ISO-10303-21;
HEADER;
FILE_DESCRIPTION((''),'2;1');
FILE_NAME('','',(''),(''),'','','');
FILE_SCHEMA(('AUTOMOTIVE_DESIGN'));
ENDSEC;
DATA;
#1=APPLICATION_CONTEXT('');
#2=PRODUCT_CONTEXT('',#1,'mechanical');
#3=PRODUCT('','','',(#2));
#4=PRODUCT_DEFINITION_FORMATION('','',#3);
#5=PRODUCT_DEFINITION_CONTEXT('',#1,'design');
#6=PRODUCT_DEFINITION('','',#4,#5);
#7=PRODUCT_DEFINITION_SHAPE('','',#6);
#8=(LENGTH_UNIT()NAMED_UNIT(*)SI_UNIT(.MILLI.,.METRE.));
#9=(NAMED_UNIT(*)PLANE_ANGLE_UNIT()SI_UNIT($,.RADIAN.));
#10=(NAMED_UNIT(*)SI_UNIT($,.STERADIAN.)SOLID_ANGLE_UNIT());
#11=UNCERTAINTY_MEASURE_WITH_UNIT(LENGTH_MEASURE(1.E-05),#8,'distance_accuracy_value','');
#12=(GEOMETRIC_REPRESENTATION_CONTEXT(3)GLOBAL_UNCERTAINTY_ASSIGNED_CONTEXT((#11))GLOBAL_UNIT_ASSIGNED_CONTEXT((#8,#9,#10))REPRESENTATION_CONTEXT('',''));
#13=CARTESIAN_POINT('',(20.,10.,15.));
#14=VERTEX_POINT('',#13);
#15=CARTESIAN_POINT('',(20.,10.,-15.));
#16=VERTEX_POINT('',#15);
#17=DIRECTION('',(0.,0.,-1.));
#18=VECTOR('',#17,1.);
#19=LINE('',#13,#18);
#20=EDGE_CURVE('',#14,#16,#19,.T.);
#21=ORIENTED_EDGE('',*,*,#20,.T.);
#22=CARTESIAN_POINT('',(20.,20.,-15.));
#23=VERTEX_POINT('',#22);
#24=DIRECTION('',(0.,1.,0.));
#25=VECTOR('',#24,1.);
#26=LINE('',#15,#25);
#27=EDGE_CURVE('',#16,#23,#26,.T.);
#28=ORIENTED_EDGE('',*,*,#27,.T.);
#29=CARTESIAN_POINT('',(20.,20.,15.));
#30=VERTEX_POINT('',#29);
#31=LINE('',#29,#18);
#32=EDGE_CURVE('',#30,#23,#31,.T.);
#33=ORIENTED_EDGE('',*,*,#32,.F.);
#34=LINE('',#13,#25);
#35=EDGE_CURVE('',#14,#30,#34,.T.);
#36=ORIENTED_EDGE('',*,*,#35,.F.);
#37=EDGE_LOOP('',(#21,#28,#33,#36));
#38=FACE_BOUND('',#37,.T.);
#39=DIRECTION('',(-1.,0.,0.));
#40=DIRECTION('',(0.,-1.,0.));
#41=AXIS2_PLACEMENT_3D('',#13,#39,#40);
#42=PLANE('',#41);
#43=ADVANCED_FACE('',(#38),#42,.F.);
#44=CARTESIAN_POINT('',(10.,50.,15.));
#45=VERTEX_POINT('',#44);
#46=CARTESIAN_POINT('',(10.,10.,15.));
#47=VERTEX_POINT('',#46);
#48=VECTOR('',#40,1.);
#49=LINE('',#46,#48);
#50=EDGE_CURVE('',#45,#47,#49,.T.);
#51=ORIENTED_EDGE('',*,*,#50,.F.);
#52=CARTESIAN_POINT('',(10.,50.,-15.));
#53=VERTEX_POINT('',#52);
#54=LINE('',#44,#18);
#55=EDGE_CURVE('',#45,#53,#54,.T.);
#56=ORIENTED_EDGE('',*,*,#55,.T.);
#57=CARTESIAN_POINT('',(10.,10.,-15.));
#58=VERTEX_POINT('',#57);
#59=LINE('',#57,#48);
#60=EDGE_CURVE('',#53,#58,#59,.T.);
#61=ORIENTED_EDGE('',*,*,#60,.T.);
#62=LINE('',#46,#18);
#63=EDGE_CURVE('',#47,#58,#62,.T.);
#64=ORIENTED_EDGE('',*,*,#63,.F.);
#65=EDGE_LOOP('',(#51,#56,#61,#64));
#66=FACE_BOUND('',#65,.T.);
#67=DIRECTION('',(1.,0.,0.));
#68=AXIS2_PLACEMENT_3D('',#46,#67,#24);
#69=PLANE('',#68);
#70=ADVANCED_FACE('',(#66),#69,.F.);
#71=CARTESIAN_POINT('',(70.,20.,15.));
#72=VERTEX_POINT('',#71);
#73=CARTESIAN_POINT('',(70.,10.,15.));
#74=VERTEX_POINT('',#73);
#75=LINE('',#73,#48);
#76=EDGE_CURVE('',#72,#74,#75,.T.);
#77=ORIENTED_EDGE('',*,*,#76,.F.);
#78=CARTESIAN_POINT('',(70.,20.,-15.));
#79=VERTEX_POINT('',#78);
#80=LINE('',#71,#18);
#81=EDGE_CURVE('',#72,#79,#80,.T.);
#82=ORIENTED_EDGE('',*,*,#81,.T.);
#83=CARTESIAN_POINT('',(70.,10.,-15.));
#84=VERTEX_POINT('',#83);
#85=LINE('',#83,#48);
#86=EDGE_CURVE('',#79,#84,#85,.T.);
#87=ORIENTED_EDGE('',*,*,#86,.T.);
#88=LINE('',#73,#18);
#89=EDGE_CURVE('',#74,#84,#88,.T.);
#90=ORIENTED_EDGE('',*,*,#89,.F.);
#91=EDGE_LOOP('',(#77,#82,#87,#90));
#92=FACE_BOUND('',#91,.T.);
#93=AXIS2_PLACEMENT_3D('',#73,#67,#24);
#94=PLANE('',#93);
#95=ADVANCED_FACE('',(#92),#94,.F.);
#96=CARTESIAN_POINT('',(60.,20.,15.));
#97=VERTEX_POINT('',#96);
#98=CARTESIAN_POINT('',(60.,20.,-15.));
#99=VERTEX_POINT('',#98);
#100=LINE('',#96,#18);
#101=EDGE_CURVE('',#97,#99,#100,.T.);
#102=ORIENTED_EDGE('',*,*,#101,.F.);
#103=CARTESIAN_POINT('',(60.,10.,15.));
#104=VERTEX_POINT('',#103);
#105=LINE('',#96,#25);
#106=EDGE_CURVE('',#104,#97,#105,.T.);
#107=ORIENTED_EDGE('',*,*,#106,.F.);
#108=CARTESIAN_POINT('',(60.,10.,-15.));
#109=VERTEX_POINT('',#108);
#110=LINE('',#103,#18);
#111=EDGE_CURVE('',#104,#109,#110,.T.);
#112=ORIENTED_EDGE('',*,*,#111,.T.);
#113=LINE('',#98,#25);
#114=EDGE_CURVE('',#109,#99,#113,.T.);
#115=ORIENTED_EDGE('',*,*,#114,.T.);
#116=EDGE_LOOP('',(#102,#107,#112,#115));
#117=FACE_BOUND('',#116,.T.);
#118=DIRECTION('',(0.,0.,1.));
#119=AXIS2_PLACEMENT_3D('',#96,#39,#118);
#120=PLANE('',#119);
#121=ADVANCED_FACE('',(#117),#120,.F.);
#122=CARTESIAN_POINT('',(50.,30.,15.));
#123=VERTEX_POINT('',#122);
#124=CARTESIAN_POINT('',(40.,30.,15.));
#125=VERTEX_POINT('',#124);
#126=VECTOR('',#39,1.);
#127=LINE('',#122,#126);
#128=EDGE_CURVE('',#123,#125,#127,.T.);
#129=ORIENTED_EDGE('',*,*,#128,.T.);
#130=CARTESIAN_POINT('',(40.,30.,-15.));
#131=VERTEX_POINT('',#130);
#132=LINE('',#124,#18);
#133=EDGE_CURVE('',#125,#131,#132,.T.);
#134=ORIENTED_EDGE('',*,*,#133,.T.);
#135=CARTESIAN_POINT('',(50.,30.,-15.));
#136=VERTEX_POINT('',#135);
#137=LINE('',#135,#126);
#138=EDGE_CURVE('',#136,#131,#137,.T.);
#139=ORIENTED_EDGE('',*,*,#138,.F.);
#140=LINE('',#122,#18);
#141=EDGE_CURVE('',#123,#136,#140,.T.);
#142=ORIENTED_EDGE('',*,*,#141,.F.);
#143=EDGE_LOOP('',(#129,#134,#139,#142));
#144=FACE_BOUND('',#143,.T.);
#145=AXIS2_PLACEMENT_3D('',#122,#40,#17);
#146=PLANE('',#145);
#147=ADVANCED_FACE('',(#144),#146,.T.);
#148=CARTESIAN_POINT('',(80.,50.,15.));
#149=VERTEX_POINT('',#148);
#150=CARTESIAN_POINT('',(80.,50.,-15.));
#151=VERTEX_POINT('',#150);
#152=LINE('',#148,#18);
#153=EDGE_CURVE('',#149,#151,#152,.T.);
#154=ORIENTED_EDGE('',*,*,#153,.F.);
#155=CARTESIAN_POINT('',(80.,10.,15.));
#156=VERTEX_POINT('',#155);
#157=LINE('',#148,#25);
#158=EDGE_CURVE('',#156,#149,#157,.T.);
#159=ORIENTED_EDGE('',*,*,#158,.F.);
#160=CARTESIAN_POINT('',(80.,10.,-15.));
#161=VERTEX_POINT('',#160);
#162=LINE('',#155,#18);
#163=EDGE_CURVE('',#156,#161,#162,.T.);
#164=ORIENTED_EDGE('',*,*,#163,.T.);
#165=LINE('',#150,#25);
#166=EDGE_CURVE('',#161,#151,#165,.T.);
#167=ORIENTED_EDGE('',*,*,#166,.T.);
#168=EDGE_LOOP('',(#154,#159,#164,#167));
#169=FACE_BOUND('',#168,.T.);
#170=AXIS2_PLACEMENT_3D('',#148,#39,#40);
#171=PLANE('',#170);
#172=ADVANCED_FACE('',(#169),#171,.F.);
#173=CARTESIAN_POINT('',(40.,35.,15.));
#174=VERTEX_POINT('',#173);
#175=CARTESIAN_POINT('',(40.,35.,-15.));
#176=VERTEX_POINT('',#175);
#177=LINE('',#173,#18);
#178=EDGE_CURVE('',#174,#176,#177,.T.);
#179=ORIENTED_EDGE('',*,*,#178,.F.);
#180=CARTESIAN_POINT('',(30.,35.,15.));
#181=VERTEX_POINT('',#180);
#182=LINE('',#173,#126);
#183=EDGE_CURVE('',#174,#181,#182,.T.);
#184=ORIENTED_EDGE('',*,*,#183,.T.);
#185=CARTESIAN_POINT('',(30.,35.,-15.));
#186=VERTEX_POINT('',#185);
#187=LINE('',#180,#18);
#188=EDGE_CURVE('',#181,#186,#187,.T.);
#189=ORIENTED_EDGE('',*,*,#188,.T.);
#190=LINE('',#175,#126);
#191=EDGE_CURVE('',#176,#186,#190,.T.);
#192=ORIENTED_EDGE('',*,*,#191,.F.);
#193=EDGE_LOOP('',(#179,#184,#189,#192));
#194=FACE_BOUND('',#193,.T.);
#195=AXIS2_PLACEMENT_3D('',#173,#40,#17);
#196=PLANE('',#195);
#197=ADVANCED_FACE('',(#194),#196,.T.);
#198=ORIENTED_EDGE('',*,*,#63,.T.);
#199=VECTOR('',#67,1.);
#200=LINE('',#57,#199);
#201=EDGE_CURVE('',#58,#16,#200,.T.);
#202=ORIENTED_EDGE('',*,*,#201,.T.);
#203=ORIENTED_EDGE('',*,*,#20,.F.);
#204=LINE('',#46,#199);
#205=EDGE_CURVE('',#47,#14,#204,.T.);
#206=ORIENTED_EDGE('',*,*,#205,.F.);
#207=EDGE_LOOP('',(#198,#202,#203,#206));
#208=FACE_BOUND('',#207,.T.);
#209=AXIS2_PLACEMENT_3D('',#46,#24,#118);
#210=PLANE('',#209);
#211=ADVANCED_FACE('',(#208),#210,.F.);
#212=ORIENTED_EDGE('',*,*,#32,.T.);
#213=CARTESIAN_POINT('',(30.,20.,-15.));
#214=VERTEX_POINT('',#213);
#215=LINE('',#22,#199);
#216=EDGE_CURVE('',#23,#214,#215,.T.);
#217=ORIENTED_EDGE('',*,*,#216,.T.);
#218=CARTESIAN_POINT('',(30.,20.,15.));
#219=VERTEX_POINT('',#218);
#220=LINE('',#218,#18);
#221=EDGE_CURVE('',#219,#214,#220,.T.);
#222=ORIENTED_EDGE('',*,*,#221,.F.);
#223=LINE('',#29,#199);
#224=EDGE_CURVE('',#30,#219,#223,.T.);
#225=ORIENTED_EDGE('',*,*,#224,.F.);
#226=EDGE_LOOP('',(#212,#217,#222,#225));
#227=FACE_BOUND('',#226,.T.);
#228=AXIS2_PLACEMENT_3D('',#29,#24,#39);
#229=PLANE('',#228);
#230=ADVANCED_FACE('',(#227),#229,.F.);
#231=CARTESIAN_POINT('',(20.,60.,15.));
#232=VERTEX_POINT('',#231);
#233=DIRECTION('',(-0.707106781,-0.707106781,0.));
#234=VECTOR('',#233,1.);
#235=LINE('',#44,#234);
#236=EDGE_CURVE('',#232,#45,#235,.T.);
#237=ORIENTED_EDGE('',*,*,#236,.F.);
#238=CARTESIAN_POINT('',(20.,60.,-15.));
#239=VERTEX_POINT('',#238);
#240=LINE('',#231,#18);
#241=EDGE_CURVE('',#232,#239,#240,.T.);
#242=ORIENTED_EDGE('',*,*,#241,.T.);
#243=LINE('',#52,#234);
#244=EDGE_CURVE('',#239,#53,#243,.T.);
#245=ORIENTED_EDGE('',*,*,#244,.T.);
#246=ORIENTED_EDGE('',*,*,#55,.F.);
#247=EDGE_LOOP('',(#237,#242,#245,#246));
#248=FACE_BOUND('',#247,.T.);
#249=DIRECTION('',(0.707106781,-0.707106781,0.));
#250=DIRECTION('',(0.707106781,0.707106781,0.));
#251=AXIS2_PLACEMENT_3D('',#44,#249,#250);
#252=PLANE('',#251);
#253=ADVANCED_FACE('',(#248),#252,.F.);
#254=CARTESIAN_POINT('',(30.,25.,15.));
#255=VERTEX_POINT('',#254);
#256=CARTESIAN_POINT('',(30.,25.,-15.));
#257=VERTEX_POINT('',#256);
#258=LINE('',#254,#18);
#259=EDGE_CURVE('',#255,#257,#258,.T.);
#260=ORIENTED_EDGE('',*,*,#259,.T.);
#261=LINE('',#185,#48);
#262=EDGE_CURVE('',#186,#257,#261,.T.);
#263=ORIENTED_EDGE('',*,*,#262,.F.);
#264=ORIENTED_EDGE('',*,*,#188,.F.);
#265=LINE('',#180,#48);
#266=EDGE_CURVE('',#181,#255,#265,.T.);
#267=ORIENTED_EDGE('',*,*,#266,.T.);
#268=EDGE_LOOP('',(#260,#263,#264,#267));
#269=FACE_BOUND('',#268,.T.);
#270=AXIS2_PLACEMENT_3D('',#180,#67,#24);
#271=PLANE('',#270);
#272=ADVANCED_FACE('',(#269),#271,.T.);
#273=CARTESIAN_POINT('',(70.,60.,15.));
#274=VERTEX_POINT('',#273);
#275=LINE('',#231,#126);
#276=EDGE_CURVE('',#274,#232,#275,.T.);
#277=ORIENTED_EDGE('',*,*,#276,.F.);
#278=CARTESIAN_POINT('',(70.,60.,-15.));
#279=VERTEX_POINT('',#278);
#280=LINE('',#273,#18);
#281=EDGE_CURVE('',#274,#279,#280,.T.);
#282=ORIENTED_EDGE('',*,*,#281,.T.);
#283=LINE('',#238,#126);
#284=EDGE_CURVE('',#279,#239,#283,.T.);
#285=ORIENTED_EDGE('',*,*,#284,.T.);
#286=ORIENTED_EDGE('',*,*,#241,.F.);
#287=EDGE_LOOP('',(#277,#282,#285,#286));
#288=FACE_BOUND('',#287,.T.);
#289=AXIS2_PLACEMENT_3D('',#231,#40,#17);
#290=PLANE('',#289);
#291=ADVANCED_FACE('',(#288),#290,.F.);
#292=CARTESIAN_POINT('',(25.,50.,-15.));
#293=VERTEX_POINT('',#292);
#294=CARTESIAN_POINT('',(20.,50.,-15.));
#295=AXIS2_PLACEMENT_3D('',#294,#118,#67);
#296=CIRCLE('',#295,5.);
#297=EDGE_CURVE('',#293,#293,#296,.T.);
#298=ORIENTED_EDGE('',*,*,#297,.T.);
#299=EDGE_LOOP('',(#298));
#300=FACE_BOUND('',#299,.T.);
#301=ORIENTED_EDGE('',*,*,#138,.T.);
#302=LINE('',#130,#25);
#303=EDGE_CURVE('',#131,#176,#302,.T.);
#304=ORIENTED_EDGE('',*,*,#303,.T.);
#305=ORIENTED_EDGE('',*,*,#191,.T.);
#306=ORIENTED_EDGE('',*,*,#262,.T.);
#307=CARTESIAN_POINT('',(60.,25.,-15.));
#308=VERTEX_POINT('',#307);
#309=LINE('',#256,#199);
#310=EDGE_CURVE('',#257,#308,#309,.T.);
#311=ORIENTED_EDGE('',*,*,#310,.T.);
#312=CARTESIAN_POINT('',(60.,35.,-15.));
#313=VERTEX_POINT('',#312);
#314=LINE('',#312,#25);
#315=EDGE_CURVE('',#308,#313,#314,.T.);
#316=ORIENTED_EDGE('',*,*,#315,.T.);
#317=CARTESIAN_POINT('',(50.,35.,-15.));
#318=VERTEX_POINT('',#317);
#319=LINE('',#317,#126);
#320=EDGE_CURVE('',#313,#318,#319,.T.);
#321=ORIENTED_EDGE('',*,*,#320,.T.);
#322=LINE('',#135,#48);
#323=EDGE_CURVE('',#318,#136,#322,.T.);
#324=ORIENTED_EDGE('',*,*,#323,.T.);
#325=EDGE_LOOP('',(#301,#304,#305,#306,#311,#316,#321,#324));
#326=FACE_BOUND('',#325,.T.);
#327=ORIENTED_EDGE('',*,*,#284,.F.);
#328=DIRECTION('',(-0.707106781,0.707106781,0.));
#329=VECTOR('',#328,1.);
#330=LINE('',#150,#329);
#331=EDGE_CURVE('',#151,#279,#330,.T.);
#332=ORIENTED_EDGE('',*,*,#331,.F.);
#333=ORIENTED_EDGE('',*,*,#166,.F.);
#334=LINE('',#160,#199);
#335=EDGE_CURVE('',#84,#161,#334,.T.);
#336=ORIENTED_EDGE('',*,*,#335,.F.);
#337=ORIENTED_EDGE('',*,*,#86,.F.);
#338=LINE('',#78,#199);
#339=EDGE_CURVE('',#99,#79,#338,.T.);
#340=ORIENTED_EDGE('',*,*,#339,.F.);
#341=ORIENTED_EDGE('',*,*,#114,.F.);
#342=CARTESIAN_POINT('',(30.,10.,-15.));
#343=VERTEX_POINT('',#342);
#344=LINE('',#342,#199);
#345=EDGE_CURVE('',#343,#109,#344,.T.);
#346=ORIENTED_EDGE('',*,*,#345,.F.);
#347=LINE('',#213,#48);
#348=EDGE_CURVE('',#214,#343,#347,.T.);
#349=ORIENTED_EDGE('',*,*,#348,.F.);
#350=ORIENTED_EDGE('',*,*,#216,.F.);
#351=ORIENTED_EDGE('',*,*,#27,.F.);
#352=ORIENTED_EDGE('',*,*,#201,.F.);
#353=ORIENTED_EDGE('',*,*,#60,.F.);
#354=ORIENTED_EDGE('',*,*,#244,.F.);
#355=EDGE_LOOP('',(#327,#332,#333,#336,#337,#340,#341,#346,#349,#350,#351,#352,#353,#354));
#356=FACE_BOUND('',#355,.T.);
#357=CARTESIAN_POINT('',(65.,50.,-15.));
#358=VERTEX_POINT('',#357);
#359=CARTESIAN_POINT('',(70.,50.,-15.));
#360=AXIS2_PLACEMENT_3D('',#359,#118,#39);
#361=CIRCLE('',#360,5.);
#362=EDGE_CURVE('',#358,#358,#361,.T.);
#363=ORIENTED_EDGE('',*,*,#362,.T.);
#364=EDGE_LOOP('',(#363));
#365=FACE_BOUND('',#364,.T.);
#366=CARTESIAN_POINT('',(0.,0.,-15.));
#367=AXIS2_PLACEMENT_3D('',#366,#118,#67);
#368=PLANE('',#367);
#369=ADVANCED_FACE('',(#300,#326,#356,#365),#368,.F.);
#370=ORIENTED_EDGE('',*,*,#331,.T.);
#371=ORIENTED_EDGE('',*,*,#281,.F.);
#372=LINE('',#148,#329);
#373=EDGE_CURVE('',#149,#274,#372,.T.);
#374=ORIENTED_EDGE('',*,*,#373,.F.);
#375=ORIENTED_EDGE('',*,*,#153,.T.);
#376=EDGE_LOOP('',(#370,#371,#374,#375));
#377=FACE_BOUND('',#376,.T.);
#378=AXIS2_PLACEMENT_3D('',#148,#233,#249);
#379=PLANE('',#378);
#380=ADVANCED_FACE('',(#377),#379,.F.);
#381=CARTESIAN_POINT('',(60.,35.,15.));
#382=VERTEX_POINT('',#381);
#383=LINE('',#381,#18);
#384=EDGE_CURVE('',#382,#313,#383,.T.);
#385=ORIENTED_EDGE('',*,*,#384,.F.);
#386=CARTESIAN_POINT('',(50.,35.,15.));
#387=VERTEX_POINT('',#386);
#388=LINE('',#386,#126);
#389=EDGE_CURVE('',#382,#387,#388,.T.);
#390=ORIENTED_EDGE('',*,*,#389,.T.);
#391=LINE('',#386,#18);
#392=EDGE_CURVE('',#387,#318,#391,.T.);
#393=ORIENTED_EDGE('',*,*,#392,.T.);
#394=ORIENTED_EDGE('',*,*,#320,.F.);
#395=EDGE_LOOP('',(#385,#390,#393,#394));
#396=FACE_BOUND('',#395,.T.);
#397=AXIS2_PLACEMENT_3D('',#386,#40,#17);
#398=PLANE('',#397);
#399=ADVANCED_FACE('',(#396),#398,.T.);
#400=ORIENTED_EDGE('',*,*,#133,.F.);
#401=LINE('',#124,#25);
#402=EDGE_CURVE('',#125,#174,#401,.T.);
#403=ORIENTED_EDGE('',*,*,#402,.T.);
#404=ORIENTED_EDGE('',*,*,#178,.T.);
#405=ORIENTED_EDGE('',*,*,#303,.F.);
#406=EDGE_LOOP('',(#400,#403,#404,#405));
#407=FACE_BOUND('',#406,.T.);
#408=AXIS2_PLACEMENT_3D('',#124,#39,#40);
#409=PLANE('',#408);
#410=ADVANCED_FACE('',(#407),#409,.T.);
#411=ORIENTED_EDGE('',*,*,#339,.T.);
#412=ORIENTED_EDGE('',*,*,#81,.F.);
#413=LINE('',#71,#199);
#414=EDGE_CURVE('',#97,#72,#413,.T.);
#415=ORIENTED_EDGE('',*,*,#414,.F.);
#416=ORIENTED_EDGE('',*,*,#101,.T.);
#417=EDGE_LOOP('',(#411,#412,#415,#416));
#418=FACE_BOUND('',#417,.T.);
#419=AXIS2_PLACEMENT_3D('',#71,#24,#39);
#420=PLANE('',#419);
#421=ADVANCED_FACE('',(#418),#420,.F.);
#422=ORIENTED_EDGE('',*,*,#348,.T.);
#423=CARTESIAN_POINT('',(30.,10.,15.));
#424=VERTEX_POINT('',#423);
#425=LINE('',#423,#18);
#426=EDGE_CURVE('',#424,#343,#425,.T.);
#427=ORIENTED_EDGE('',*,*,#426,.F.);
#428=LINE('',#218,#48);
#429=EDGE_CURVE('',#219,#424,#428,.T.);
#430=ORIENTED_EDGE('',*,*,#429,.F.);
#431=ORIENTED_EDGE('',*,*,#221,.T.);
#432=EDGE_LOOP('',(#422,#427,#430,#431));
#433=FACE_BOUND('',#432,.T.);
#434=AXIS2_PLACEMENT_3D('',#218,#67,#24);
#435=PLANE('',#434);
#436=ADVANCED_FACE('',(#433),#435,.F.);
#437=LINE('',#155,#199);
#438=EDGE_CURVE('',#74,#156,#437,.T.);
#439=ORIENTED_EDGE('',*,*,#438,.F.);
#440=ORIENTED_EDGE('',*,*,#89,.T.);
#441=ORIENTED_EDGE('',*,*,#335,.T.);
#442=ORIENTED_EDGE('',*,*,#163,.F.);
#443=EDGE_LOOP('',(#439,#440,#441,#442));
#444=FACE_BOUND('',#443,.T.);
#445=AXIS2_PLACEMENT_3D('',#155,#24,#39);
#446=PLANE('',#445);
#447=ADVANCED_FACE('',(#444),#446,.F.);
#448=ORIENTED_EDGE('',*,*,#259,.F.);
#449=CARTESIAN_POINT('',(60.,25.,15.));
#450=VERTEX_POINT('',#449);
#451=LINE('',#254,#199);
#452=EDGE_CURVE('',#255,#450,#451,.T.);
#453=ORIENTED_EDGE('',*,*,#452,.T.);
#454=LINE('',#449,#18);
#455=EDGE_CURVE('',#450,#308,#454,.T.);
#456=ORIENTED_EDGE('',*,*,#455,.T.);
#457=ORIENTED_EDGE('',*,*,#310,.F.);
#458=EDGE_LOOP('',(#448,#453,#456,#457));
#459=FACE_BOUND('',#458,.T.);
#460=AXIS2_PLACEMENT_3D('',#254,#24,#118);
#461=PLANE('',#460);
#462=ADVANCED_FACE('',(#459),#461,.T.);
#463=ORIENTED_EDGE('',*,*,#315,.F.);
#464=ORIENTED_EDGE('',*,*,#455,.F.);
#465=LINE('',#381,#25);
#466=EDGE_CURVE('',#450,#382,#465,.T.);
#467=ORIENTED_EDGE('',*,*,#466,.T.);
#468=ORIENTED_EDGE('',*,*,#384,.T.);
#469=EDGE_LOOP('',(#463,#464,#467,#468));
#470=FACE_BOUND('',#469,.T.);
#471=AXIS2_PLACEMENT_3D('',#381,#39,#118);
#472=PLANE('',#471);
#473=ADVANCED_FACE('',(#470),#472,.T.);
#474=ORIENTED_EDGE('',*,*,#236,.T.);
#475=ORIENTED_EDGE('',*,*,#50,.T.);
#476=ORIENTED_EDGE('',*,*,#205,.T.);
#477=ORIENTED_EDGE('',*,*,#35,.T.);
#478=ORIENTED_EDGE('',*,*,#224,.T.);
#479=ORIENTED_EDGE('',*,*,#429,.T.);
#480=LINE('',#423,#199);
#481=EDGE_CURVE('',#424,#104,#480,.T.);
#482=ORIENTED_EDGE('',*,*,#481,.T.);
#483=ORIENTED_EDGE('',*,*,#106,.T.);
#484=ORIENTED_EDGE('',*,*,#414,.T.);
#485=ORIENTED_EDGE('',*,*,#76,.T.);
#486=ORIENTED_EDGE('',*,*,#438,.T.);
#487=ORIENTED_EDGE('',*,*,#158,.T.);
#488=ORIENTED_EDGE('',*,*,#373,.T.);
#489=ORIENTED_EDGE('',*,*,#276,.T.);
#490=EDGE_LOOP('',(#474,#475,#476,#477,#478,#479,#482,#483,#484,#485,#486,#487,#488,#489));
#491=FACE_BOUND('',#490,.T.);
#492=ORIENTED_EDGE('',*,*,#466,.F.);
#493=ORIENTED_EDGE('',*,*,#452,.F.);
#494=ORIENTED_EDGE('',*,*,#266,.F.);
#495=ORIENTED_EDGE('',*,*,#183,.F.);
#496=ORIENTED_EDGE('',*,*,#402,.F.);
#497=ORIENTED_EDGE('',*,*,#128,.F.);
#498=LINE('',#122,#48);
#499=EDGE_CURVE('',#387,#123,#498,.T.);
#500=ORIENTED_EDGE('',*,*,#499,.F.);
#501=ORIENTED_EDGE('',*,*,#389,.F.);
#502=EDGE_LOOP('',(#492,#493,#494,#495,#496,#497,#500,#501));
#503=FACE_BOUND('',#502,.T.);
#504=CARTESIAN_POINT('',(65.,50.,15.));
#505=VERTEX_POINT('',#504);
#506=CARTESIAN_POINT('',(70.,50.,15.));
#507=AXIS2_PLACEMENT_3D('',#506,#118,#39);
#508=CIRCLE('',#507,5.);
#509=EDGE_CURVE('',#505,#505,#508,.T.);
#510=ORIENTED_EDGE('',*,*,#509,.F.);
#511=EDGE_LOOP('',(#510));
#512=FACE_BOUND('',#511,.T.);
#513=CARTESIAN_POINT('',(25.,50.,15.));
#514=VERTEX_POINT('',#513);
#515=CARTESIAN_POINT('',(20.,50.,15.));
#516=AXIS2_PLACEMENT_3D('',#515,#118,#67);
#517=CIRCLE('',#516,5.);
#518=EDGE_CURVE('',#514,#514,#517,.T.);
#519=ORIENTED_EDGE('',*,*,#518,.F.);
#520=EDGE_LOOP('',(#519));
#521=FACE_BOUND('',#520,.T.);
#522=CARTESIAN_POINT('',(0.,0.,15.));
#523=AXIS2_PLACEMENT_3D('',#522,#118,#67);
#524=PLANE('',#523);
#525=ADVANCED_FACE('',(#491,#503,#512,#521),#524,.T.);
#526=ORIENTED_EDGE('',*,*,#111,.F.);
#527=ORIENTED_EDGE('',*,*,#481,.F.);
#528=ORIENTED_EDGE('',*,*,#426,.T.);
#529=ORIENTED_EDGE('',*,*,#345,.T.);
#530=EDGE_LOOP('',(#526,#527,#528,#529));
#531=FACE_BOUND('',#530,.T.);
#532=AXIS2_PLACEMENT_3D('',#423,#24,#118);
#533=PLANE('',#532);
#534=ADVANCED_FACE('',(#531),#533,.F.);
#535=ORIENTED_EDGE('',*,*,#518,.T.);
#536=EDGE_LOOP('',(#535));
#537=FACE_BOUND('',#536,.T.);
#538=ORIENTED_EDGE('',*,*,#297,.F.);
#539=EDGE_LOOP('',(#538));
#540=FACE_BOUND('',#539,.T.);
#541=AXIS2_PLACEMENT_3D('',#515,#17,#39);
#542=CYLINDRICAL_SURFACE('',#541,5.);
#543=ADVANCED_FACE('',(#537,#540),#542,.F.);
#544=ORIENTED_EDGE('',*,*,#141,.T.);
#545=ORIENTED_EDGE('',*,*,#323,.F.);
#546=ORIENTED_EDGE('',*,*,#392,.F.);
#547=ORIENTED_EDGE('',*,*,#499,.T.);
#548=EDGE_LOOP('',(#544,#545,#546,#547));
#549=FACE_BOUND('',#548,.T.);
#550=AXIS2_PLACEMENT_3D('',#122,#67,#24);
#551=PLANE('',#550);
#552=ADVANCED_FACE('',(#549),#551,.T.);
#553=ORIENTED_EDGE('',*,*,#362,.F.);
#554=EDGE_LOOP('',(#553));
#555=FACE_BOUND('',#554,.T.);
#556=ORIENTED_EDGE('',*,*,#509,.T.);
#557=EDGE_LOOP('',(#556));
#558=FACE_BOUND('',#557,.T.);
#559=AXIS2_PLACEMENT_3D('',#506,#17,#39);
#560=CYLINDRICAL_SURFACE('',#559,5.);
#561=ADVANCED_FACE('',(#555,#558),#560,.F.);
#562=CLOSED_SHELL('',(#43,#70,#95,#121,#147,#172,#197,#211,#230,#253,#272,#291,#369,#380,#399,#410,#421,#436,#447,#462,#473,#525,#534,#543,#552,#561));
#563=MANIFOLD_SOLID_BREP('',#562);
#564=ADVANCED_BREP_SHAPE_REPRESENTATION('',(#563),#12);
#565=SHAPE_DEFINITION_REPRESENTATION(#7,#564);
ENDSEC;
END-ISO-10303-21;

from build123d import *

# Parameters (mm, degrees)
SKETCH2_R           = 5
BOSS_EXTRUDE2_DEPTH = 15


with BuildPart() as part:
    # Sketch2 → Boss-Extrude2 (new, symmetric)
    with BuildSketch(Plane.XY):
        Polygon((10, 10), (10, 50), (20, 60), (70, 60), (80, 50), (80, 10), (70, 10), (70, 20), (60, 20), (60, 10), (30, 10), (30, 20), (20, 20), (20, 10), align=None)
        with Locations((20, 50)):
            Circle(SKETCH2_R, mode=Mode.SUBTRACT)
        with Locations(Location((70, 50, 0), (0, 0, 180))):
            Circle(SKETCH2_R, mode=Mode.SUBTRACT)
        Polygon((50, 30), (40, 30), (40, 35), (30, 35), (30, 25), (60, 25), (60, 35), (50, 35), align=None, mode=Mode.SUBTRACT)
    extrude(amount=BOSS_EXTRUDE2_DEPTH, both=True)


solid = part.part
